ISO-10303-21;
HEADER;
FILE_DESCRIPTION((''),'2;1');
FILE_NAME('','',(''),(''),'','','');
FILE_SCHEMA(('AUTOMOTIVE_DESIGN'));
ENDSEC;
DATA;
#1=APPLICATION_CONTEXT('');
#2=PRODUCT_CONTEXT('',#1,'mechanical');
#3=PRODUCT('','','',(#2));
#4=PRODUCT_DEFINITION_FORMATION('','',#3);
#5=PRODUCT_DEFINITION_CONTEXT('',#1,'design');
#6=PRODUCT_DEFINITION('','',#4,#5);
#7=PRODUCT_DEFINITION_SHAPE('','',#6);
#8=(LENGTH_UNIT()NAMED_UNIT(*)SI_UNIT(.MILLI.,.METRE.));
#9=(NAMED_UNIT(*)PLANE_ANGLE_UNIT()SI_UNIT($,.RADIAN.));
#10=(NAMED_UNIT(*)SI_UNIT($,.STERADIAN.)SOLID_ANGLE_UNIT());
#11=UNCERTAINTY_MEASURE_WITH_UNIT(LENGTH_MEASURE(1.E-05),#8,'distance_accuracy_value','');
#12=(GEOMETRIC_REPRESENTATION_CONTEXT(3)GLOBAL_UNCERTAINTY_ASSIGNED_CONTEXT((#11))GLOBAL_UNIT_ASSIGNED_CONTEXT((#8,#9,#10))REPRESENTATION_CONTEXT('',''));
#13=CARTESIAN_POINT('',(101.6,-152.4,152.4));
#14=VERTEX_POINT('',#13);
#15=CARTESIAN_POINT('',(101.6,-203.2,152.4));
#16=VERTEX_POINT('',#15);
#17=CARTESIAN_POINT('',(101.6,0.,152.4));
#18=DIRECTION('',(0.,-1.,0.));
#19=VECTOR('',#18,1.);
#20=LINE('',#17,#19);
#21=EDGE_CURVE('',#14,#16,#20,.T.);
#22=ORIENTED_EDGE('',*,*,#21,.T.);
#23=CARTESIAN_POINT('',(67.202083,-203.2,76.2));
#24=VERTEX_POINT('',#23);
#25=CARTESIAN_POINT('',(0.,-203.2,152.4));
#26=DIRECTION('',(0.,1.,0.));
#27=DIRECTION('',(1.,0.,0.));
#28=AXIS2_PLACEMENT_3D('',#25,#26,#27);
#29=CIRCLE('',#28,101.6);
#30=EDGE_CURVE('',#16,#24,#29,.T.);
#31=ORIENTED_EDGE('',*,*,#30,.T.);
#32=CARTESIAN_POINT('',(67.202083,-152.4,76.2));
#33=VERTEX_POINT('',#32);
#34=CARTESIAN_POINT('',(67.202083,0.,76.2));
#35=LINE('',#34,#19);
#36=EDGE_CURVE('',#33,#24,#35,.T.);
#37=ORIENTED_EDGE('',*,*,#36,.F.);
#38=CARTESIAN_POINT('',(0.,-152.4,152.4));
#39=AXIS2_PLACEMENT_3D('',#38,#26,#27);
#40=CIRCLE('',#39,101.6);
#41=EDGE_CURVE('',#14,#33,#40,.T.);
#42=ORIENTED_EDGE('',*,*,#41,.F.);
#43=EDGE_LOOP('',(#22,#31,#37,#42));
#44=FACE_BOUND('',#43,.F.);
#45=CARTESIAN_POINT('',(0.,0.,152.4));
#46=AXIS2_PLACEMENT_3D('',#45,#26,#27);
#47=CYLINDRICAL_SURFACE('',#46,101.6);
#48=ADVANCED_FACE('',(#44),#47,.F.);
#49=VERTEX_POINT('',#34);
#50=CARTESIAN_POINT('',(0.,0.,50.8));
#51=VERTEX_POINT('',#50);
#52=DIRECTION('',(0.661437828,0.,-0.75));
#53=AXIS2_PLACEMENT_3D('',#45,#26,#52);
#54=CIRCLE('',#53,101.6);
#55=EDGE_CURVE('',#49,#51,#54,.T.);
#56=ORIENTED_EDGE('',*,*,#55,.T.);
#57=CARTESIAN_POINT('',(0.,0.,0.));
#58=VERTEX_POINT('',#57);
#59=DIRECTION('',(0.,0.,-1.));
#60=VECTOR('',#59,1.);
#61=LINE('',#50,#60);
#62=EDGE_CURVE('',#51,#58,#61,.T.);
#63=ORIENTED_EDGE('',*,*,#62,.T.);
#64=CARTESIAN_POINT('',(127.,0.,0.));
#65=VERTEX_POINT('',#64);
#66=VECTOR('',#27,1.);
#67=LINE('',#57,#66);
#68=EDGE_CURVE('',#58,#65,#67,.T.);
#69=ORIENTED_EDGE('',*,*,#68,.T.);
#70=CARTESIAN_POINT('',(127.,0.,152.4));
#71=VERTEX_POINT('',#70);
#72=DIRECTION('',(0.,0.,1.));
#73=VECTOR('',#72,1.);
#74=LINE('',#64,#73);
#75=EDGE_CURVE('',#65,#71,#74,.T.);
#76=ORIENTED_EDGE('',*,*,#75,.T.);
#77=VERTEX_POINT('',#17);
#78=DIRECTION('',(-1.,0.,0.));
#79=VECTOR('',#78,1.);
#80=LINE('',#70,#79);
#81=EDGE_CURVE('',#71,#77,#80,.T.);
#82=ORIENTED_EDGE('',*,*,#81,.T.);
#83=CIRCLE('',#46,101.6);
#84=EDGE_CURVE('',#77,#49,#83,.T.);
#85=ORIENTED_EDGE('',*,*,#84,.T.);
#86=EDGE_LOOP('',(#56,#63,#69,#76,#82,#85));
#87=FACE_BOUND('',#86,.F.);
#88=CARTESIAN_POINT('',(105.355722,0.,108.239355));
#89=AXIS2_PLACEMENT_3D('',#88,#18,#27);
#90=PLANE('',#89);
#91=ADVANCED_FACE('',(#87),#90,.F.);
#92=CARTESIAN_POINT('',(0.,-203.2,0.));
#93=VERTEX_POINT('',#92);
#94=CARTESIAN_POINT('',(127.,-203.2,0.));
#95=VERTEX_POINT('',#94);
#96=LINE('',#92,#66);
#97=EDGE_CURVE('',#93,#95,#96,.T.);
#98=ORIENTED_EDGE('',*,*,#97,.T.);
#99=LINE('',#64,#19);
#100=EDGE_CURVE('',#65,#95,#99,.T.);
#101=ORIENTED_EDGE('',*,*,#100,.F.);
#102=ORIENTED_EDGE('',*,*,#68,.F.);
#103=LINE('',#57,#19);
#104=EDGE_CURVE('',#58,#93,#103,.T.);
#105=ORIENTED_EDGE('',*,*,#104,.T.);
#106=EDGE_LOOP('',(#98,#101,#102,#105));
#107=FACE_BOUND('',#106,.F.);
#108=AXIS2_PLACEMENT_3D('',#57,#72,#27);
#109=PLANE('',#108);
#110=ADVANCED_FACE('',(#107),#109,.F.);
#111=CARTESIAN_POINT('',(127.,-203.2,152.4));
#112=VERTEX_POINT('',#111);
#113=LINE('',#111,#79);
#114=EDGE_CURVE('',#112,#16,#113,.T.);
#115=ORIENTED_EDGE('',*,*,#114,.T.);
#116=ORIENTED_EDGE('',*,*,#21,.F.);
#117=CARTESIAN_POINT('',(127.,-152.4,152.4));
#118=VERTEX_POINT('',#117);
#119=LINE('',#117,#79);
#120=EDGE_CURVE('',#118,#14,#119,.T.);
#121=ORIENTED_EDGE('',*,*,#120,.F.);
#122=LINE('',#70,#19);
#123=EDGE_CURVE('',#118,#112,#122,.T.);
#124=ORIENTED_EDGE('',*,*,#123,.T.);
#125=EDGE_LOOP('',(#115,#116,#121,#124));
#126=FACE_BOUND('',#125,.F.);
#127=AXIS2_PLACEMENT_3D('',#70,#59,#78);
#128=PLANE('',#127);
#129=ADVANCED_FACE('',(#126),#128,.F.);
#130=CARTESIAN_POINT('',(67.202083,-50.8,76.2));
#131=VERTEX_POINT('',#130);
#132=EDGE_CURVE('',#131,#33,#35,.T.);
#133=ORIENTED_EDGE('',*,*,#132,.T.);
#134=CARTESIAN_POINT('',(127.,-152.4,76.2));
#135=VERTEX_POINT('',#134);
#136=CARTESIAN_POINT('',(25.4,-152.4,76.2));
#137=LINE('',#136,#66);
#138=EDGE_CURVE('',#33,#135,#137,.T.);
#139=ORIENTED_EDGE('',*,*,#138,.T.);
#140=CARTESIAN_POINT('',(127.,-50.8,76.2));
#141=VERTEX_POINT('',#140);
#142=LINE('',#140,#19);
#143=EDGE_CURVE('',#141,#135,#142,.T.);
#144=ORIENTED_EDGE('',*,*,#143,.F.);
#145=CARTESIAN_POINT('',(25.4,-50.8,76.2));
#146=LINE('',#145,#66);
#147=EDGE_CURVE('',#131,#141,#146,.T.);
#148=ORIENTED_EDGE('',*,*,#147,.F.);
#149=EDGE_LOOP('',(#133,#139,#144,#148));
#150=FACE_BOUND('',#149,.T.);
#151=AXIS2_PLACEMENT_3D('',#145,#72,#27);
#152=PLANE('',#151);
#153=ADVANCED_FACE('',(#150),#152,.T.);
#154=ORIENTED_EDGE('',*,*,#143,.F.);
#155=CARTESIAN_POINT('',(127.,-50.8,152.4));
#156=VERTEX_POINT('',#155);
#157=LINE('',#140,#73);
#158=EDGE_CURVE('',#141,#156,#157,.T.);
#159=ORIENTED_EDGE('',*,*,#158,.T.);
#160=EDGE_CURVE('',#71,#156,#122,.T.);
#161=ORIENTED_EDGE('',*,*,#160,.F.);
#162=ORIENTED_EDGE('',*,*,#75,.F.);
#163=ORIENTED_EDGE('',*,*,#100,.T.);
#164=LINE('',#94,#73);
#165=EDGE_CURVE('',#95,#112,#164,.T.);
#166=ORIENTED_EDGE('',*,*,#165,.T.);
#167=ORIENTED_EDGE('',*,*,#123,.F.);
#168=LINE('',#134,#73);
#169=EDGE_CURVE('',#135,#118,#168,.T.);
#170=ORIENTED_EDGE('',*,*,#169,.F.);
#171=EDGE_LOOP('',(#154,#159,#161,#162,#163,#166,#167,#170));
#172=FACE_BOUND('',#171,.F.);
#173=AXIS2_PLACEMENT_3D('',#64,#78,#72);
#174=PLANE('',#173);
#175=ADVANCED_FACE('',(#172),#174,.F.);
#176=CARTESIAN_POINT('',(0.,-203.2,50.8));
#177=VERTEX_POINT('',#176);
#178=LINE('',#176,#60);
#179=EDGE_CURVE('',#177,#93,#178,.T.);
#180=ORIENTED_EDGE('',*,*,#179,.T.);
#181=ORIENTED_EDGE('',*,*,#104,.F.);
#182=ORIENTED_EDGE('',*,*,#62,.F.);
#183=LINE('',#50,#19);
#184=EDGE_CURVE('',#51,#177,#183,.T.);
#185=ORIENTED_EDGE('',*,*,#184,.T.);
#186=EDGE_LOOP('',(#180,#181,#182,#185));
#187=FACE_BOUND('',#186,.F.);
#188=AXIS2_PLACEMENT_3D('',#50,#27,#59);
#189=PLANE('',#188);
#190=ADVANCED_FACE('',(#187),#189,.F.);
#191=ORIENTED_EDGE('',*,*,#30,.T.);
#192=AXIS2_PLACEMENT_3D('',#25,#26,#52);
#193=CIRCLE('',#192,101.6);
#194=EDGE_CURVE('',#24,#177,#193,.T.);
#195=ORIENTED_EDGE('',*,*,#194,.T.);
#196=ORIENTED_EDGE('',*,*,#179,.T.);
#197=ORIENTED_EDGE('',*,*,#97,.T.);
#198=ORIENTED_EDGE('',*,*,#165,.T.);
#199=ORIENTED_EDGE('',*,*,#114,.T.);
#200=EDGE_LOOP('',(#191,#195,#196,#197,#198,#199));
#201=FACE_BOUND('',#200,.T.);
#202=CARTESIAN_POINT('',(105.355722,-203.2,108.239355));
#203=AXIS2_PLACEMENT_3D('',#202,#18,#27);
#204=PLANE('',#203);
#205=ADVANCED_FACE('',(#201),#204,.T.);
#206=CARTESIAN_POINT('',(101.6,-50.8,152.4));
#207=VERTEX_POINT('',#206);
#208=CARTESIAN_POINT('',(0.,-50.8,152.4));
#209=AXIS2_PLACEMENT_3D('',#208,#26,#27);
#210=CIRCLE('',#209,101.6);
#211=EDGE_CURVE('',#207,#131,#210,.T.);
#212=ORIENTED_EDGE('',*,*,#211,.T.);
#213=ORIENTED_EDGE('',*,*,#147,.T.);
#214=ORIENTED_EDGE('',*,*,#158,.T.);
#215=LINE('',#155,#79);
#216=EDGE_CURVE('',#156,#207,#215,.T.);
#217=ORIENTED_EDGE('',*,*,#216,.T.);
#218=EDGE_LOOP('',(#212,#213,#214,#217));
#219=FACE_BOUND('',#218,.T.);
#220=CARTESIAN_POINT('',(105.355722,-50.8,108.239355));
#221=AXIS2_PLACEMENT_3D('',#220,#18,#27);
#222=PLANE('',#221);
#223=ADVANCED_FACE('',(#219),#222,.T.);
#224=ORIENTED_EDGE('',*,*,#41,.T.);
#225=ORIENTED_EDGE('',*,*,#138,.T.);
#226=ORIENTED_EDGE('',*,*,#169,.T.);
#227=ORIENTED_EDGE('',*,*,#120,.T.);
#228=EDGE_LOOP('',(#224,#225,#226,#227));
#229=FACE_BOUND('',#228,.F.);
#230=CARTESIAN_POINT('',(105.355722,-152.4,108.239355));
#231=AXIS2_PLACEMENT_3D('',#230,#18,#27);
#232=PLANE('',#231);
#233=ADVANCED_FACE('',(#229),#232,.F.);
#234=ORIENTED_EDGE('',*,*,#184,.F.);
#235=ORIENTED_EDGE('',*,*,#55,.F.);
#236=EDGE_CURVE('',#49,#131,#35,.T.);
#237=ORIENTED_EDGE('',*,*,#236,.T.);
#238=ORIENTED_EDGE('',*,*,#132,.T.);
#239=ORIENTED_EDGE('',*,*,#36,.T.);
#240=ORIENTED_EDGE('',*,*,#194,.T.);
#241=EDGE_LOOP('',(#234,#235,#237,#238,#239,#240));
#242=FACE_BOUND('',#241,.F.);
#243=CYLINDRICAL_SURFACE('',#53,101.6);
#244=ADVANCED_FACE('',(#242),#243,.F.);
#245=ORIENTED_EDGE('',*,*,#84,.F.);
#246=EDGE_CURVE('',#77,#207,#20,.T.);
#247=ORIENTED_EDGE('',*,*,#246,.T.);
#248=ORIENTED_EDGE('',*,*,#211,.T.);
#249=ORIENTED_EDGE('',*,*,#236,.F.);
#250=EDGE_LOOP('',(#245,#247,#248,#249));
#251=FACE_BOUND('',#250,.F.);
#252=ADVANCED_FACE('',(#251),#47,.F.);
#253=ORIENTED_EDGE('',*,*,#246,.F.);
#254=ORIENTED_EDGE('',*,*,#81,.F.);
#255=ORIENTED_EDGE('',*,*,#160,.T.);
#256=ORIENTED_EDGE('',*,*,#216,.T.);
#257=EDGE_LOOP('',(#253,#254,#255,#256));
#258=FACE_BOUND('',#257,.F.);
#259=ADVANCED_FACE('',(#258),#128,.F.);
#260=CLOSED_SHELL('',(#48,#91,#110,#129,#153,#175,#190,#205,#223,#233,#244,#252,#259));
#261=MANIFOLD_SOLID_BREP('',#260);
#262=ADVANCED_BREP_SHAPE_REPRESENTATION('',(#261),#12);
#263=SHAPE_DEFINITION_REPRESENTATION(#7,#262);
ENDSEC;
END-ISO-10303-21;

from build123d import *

# Parameters (mm, degrees)
F1_DEPTH = 203.2
F2_START = 50.8
F2_DEPTH = 101.6


with BuildPart() as f1:
    # F0 (on Front) → F1 (new body)
    with BuildSketch(Plane.XZ):
        with BuildLine():
            Line((67.202083301, 76.2), (127, 76.2))
            Line((127, 76.2), (127, 152.4))
            Line((127, 152.4), (101.6, 152.4))
            ThreePointArc((101.6, 152.4), (92.602083301, 110.597916699), (67.202083301, 76.2))
        make_face()
        with BuildLine():
            Line((0, 50.8), (0, 0))
            Line((0, 0), (127, 0))
            Line((127, 0), (127, 76.2))
            Line((127, 76.2), (67.202083301, 76.2))
            ThreePointArc((67.202083301, 76.2), (35.9210244843, 57.3619023759), (0, 50.8))
        make_face()
    extrude(amount=F1_DEPTH)

    # F0 (on Front) → F2 (cut)
    with BuildSketch(Plane.XZ.offset(F2_START)):
        with BuildLine():
            Line((67.202083301, 76.2), (127, 76.2))
            Line((127, 76.2), (127, 152.4))
            Line((127, 152.4), (101.6, 152.4))
            ThreePointArc((101.6, 152.4), (92.602083301, 110.597916699), (67.202083301, 76.2))
        make_face()
        with BuildLine():
            ThreePointArc((67.202083301, 76.2), (92.602083301, 110.597916699), (101.6, 152.4))
            Line((101.6, 152.4), (25.4, 152.4))
            Line((25.4, 152.4), (25.4, 76.2))
            Line((25.4, 76.2), (67.202083301, 76.2))
        make_face()
    extrude(amount=F2_DEPTH, mode=Mode.SUBTRACT)


solid = f1.part
